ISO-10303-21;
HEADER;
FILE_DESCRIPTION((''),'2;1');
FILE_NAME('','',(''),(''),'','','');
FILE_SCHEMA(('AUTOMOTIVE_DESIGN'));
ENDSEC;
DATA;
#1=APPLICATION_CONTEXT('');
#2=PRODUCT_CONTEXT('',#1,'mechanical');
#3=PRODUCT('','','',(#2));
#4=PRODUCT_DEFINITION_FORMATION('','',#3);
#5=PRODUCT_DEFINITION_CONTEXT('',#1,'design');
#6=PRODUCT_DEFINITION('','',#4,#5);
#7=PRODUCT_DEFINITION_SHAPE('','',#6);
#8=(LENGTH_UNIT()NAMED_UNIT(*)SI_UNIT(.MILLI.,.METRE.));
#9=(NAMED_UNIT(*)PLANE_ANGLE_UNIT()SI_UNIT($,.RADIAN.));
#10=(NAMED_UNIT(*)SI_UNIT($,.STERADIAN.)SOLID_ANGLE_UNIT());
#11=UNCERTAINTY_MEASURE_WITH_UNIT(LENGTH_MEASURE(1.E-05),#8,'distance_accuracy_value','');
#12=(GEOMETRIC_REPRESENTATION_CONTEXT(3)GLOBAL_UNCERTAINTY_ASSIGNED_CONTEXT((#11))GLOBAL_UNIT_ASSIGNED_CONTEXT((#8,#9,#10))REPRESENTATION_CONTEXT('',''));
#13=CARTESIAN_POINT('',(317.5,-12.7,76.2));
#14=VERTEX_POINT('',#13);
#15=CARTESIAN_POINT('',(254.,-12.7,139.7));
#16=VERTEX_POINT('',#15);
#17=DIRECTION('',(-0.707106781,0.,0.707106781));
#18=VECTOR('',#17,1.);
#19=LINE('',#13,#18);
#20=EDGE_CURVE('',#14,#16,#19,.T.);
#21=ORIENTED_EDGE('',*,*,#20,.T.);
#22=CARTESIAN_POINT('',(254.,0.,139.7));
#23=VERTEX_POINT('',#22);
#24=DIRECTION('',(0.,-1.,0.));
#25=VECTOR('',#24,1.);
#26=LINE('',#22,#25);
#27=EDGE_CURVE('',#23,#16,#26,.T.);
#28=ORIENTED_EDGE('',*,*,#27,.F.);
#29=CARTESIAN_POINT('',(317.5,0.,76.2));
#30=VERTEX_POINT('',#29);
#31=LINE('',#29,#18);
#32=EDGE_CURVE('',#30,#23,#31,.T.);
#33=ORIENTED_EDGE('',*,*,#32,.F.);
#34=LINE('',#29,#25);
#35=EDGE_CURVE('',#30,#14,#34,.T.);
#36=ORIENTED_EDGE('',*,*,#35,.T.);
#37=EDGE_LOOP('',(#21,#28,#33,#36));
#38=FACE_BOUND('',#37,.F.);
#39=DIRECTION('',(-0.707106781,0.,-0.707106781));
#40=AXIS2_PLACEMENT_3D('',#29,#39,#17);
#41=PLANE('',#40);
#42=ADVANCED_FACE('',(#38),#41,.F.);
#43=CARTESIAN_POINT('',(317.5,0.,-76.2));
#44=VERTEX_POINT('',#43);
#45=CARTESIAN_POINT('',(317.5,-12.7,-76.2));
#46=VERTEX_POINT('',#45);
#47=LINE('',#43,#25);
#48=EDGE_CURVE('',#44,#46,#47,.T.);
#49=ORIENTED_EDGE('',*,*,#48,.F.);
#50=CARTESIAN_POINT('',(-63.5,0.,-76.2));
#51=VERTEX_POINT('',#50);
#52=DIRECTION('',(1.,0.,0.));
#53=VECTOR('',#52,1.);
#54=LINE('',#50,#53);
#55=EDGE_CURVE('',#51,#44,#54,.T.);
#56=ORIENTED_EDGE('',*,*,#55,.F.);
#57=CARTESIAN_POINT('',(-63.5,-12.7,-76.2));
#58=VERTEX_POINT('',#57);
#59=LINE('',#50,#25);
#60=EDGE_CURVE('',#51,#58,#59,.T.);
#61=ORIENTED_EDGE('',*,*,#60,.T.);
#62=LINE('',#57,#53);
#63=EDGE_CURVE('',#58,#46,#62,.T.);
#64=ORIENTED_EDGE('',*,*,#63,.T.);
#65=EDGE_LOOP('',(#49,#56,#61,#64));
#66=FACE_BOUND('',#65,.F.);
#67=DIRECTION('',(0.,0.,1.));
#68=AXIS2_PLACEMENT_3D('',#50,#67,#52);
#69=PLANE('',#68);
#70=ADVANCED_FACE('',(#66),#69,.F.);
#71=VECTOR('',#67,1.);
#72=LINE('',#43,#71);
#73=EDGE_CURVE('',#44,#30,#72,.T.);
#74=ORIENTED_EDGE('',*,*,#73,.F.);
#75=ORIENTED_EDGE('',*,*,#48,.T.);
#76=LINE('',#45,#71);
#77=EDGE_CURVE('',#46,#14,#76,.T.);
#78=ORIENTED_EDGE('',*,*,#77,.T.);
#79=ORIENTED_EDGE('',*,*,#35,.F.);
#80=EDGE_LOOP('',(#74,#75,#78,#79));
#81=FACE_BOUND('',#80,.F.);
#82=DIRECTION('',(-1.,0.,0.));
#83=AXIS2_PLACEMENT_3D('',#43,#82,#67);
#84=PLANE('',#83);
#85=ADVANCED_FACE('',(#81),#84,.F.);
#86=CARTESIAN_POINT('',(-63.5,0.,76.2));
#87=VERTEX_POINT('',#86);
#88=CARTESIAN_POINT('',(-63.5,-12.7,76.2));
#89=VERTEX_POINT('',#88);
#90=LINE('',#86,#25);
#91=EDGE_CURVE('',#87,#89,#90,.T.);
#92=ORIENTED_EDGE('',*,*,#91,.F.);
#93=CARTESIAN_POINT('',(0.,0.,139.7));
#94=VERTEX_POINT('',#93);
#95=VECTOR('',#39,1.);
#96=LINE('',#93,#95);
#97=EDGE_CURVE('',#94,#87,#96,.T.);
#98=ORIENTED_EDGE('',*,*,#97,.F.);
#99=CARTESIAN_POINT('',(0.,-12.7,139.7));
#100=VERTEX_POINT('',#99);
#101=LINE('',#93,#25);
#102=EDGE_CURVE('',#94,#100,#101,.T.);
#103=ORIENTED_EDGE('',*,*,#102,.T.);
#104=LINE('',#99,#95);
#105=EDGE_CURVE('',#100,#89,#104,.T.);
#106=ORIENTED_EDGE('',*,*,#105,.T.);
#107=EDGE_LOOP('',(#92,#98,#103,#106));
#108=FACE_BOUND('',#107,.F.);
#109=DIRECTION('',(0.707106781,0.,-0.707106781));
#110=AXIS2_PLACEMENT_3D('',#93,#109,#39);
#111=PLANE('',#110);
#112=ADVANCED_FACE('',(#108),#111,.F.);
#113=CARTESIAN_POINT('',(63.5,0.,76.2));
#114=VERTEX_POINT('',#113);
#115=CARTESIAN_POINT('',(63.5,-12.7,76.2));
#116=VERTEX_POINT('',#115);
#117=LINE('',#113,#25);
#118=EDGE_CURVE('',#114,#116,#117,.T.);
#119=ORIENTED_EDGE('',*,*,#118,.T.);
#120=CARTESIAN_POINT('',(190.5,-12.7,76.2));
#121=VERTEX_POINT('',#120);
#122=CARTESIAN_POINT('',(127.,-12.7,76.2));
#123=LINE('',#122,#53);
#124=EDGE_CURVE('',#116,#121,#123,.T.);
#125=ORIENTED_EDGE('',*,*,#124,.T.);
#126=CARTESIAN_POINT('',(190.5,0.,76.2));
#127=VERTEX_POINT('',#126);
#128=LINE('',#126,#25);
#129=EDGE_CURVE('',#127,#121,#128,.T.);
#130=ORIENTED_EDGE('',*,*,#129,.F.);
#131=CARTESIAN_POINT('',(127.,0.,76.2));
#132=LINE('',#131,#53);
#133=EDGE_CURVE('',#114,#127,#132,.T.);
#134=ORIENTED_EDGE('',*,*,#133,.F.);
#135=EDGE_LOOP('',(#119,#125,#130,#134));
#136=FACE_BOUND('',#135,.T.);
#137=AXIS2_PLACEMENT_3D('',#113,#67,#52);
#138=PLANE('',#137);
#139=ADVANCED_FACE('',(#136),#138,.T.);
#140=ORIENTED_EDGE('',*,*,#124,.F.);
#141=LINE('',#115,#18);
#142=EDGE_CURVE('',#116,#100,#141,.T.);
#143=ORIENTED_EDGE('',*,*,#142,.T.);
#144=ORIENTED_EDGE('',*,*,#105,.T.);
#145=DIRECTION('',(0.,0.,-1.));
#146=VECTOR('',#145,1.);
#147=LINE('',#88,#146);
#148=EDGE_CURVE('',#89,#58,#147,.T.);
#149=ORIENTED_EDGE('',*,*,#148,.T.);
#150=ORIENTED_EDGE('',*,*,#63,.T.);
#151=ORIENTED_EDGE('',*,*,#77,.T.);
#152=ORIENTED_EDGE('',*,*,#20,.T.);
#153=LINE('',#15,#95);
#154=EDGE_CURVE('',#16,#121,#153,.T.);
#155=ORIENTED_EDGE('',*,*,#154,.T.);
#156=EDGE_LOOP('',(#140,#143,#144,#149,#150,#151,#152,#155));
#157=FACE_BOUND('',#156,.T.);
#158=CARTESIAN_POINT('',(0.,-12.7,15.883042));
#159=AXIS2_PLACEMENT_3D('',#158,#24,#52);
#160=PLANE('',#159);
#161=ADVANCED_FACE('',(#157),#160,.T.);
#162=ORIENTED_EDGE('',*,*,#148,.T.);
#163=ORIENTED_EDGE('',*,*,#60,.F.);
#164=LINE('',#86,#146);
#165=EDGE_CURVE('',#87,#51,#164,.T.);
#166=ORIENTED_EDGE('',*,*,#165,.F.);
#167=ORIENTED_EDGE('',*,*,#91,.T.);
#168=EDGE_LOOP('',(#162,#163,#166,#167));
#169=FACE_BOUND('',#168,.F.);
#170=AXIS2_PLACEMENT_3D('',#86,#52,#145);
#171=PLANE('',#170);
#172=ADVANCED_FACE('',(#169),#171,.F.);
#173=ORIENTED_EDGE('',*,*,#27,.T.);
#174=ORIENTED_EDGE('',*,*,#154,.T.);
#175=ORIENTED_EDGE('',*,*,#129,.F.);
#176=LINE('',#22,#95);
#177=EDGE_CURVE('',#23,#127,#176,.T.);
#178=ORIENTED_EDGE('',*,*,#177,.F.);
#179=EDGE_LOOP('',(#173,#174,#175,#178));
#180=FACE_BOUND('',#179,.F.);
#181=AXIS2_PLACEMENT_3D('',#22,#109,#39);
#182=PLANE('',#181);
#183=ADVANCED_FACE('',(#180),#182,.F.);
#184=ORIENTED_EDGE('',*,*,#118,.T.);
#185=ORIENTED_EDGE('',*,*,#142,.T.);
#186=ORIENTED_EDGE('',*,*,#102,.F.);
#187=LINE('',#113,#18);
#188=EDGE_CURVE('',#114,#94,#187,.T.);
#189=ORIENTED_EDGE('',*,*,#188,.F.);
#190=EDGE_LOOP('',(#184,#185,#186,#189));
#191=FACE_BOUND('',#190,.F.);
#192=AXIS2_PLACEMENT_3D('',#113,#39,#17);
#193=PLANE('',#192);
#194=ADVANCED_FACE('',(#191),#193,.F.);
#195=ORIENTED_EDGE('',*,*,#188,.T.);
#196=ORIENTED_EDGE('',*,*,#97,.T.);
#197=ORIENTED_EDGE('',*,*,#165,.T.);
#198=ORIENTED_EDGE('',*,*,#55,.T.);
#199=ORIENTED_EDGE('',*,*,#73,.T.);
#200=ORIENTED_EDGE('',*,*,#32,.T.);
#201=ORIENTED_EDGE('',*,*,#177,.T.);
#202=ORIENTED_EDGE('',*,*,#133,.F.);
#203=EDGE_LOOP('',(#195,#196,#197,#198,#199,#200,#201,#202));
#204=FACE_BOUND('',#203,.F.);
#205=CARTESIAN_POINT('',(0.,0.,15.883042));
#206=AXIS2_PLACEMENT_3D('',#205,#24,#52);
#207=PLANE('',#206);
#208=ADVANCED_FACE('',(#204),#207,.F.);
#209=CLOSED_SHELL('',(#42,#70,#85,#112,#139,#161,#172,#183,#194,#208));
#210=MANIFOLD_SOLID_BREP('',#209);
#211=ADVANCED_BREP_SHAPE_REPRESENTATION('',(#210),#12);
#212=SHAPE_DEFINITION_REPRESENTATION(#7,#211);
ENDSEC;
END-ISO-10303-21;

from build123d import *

# Parameters (mm, degrees)
F0_W     = 127
F0_H     = 152.4
F1_DEPTH = 12.7


with BuildPart() as f1:
    # F0 (on Front) → F1 (new body)
    with BuildSketch(Plane.XZ):
        Polygon((-63.5, -76.2), (63.5, -76.2), (63.5, 76.2), (0, 139.7), (-63.5, 76.2), align=None)
        with Locations((127, 0)):
            Rectangle(F0_W, F0_H)
        Polygon((190.5, 76.2), (190.5, -76.2), (317.5, -76.2), (317.5, 76.2), (254, 139.7), align=None)
    extrude(amount=F1_DEPTH)


solid = f1.part
